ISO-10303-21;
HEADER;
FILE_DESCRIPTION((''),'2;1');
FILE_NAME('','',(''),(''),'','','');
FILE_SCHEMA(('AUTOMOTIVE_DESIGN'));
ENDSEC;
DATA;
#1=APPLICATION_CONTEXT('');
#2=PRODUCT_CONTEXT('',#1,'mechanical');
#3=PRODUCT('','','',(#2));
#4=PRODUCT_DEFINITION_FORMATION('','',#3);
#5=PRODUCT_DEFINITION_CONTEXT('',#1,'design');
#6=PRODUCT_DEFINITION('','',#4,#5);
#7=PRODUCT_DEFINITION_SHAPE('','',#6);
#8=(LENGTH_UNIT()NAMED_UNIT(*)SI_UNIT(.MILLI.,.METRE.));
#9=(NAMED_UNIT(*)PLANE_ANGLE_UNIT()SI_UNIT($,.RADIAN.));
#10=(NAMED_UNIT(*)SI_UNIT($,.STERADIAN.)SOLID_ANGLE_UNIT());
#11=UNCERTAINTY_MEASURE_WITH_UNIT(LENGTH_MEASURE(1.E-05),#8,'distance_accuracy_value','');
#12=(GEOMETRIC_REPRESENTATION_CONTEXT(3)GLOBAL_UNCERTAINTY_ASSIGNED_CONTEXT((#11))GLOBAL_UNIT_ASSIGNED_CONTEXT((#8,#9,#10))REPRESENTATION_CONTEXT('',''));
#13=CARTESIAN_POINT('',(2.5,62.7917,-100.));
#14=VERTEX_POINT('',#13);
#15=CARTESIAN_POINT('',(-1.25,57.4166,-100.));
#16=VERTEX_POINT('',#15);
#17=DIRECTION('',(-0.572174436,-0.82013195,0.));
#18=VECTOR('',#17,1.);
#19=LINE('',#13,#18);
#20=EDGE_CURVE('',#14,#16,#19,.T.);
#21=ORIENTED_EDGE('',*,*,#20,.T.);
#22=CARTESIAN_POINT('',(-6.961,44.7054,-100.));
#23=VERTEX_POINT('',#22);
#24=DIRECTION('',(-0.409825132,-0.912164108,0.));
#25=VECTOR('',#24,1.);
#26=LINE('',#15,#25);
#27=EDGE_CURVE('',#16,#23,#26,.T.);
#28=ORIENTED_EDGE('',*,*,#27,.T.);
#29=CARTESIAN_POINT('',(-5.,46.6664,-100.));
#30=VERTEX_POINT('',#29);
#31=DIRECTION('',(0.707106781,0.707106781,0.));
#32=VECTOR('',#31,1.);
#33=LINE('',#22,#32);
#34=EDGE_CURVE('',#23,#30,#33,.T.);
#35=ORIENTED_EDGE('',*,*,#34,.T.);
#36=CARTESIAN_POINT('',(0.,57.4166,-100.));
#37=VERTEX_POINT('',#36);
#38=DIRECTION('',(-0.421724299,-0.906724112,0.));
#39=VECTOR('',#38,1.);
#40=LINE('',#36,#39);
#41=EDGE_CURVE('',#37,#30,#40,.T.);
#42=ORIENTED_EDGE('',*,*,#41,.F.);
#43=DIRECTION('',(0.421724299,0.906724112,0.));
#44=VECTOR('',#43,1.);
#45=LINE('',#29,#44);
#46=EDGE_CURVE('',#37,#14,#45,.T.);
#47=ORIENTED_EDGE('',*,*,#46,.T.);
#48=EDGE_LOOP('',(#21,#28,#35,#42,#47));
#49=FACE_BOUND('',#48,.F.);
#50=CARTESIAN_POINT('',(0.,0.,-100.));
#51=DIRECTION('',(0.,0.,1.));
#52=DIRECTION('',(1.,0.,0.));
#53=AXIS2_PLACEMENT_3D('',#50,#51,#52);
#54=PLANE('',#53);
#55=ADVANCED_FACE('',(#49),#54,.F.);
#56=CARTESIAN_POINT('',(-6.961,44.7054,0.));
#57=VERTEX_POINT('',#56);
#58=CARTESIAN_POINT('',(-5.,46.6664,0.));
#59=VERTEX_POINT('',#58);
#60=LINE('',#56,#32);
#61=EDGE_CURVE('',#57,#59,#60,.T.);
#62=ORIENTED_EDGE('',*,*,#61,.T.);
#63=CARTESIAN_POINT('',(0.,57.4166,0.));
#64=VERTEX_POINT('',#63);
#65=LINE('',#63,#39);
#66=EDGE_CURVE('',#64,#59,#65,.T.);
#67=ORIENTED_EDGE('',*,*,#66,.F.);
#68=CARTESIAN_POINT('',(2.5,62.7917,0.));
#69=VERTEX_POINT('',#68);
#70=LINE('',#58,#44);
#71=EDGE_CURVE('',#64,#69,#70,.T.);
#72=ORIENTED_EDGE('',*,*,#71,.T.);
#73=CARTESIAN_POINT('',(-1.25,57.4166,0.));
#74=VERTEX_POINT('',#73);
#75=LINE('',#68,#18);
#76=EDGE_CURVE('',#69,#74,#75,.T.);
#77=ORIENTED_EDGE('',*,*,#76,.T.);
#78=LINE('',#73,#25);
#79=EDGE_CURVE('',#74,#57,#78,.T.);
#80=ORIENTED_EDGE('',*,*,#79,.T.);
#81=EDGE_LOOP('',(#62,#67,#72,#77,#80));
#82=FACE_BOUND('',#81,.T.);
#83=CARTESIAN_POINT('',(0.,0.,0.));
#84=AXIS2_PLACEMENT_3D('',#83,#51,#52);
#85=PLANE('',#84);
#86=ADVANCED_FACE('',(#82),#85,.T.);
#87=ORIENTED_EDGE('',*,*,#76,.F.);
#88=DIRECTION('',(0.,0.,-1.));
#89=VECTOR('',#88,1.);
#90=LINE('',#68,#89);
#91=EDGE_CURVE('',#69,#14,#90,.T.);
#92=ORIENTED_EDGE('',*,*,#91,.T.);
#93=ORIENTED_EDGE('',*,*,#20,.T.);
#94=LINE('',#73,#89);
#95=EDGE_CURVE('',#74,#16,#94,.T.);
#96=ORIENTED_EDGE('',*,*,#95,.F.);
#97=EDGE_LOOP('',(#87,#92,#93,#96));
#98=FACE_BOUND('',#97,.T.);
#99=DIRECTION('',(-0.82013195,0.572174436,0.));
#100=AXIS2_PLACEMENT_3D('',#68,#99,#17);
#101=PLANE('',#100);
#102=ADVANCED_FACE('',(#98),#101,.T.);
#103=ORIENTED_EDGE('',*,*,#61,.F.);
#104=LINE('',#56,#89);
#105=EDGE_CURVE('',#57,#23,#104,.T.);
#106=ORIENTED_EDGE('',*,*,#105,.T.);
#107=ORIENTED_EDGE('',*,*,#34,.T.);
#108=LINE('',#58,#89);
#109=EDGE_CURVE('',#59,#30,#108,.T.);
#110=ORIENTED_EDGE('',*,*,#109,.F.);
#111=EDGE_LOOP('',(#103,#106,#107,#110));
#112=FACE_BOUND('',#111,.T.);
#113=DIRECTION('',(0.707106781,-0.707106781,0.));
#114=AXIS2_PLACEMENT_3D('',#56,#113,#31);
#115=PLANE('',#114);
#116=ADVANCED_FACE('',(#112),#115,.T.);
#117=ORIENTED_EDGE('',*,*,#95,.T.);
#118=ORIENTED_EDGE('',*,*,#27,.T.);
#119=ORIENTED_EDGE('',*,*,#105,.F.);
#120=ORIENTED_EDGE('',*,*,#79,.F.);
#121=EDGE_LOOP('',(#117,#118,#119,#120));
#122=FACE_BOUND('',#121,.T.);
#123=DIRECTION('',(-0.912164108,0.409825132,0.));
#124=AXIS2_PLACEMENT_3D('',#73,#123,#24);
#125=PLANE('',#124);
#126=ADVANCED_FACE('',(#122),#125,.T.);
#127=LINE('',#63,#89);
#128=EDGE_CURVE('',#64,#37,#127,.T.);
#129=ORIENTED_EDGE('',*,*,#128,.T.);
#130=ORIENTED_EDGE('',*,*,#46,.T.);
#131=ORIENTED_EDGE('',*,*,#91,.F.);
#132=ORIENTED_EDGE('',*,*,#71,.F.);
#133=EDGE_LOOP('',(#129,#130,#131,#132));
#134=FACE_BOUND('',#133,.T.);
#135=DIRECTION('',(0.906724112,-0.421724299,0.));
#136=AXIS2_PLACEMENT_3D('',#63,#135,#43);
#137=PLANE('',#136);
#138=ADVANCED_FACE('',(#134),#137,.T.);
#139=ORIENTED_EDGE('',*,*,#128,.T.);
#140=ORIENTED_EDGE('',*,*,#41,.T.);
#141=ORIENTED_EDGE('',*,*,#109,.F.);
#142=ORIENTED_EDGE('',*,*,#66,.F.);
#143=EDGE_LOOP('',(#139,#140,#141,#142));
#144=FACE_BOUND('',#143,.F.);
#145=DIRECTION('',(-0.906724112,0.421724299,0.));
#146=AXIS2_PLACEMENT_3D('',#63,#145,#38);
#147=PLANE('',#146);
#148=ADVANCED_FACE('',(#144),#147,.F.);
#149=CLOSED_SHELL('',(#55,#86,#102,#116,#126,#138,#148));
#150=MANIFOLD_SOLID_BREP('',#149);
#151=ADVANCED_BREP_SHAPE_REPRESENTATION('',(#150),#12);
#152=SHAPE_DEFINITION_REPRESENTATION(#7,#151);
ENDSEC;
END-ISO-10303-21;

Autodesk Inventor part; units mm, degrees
ref_plane "YZ Plane" through (0, 0, 0) normal (1, 0, 0) x (0, 1, 0)
ref_plane "XZ Plane" through (0, 0, 0) normal (0, 1, 0) x (-1, 0, 0)
ref_plane "XY Plane" through (0, 0, 0) normal (0, 0, 1) x (1, 0, 0)
sketch "Sketch1" plane through (0, 0, 0) normal (0, 0, 1) x (1, 0, 0)
  line L0 (0, 57.4166) -> (-5, 46.6664) projected
  line L1 (-5, 42.7444) -> (-5, 46.6664) projected
  line L2 (-5, 42.7444) -> (-29.7, 18.0444) projected
  line L3 (-29.7, 18.0444) -> (-29.7, -5.3095) projected
  arc A0 (-5, 0) -> (-29.7, -5.3095) centre (-13.6, -20.1) ccw projected
  line L4 (0, 0) -> (-5, 0) projected
  line L5 (0, 0) -> (0, 57.4166) projected
  circle A1 centre (-13.6, -20.1) radius 16.1 projected
  line L6 (2.5, -20.1) -> (2.5, 68.8205)
  line L7 (-13.6, -36.2) -> (-13.6, 63.8)
  line L8 (-13.6, 63.8) -> (7.5508, 63.8)
  line L9 (-5, 46.6664) -> (2.5, 62.7917)
  line L10 (2.5, 62.7917) -> (-1.25, 57.4166)
  line L11 (-1.25, 57.4166) -> (-6.961, 44.7054)
  line L12 (-6.961, 44.7054) -> (-5, 46.6664)
  dimension "d0" = 100
extrude "Extrusion1" add sketch "Sketch1" against normal blind 100 contours L0 L12 L11 L10 L9
ref_plane "Work Plane1" through (-5, 15.8, -50) normal (-1, 0, 0) x (0, 0, 1)
properties part number "nóż"
